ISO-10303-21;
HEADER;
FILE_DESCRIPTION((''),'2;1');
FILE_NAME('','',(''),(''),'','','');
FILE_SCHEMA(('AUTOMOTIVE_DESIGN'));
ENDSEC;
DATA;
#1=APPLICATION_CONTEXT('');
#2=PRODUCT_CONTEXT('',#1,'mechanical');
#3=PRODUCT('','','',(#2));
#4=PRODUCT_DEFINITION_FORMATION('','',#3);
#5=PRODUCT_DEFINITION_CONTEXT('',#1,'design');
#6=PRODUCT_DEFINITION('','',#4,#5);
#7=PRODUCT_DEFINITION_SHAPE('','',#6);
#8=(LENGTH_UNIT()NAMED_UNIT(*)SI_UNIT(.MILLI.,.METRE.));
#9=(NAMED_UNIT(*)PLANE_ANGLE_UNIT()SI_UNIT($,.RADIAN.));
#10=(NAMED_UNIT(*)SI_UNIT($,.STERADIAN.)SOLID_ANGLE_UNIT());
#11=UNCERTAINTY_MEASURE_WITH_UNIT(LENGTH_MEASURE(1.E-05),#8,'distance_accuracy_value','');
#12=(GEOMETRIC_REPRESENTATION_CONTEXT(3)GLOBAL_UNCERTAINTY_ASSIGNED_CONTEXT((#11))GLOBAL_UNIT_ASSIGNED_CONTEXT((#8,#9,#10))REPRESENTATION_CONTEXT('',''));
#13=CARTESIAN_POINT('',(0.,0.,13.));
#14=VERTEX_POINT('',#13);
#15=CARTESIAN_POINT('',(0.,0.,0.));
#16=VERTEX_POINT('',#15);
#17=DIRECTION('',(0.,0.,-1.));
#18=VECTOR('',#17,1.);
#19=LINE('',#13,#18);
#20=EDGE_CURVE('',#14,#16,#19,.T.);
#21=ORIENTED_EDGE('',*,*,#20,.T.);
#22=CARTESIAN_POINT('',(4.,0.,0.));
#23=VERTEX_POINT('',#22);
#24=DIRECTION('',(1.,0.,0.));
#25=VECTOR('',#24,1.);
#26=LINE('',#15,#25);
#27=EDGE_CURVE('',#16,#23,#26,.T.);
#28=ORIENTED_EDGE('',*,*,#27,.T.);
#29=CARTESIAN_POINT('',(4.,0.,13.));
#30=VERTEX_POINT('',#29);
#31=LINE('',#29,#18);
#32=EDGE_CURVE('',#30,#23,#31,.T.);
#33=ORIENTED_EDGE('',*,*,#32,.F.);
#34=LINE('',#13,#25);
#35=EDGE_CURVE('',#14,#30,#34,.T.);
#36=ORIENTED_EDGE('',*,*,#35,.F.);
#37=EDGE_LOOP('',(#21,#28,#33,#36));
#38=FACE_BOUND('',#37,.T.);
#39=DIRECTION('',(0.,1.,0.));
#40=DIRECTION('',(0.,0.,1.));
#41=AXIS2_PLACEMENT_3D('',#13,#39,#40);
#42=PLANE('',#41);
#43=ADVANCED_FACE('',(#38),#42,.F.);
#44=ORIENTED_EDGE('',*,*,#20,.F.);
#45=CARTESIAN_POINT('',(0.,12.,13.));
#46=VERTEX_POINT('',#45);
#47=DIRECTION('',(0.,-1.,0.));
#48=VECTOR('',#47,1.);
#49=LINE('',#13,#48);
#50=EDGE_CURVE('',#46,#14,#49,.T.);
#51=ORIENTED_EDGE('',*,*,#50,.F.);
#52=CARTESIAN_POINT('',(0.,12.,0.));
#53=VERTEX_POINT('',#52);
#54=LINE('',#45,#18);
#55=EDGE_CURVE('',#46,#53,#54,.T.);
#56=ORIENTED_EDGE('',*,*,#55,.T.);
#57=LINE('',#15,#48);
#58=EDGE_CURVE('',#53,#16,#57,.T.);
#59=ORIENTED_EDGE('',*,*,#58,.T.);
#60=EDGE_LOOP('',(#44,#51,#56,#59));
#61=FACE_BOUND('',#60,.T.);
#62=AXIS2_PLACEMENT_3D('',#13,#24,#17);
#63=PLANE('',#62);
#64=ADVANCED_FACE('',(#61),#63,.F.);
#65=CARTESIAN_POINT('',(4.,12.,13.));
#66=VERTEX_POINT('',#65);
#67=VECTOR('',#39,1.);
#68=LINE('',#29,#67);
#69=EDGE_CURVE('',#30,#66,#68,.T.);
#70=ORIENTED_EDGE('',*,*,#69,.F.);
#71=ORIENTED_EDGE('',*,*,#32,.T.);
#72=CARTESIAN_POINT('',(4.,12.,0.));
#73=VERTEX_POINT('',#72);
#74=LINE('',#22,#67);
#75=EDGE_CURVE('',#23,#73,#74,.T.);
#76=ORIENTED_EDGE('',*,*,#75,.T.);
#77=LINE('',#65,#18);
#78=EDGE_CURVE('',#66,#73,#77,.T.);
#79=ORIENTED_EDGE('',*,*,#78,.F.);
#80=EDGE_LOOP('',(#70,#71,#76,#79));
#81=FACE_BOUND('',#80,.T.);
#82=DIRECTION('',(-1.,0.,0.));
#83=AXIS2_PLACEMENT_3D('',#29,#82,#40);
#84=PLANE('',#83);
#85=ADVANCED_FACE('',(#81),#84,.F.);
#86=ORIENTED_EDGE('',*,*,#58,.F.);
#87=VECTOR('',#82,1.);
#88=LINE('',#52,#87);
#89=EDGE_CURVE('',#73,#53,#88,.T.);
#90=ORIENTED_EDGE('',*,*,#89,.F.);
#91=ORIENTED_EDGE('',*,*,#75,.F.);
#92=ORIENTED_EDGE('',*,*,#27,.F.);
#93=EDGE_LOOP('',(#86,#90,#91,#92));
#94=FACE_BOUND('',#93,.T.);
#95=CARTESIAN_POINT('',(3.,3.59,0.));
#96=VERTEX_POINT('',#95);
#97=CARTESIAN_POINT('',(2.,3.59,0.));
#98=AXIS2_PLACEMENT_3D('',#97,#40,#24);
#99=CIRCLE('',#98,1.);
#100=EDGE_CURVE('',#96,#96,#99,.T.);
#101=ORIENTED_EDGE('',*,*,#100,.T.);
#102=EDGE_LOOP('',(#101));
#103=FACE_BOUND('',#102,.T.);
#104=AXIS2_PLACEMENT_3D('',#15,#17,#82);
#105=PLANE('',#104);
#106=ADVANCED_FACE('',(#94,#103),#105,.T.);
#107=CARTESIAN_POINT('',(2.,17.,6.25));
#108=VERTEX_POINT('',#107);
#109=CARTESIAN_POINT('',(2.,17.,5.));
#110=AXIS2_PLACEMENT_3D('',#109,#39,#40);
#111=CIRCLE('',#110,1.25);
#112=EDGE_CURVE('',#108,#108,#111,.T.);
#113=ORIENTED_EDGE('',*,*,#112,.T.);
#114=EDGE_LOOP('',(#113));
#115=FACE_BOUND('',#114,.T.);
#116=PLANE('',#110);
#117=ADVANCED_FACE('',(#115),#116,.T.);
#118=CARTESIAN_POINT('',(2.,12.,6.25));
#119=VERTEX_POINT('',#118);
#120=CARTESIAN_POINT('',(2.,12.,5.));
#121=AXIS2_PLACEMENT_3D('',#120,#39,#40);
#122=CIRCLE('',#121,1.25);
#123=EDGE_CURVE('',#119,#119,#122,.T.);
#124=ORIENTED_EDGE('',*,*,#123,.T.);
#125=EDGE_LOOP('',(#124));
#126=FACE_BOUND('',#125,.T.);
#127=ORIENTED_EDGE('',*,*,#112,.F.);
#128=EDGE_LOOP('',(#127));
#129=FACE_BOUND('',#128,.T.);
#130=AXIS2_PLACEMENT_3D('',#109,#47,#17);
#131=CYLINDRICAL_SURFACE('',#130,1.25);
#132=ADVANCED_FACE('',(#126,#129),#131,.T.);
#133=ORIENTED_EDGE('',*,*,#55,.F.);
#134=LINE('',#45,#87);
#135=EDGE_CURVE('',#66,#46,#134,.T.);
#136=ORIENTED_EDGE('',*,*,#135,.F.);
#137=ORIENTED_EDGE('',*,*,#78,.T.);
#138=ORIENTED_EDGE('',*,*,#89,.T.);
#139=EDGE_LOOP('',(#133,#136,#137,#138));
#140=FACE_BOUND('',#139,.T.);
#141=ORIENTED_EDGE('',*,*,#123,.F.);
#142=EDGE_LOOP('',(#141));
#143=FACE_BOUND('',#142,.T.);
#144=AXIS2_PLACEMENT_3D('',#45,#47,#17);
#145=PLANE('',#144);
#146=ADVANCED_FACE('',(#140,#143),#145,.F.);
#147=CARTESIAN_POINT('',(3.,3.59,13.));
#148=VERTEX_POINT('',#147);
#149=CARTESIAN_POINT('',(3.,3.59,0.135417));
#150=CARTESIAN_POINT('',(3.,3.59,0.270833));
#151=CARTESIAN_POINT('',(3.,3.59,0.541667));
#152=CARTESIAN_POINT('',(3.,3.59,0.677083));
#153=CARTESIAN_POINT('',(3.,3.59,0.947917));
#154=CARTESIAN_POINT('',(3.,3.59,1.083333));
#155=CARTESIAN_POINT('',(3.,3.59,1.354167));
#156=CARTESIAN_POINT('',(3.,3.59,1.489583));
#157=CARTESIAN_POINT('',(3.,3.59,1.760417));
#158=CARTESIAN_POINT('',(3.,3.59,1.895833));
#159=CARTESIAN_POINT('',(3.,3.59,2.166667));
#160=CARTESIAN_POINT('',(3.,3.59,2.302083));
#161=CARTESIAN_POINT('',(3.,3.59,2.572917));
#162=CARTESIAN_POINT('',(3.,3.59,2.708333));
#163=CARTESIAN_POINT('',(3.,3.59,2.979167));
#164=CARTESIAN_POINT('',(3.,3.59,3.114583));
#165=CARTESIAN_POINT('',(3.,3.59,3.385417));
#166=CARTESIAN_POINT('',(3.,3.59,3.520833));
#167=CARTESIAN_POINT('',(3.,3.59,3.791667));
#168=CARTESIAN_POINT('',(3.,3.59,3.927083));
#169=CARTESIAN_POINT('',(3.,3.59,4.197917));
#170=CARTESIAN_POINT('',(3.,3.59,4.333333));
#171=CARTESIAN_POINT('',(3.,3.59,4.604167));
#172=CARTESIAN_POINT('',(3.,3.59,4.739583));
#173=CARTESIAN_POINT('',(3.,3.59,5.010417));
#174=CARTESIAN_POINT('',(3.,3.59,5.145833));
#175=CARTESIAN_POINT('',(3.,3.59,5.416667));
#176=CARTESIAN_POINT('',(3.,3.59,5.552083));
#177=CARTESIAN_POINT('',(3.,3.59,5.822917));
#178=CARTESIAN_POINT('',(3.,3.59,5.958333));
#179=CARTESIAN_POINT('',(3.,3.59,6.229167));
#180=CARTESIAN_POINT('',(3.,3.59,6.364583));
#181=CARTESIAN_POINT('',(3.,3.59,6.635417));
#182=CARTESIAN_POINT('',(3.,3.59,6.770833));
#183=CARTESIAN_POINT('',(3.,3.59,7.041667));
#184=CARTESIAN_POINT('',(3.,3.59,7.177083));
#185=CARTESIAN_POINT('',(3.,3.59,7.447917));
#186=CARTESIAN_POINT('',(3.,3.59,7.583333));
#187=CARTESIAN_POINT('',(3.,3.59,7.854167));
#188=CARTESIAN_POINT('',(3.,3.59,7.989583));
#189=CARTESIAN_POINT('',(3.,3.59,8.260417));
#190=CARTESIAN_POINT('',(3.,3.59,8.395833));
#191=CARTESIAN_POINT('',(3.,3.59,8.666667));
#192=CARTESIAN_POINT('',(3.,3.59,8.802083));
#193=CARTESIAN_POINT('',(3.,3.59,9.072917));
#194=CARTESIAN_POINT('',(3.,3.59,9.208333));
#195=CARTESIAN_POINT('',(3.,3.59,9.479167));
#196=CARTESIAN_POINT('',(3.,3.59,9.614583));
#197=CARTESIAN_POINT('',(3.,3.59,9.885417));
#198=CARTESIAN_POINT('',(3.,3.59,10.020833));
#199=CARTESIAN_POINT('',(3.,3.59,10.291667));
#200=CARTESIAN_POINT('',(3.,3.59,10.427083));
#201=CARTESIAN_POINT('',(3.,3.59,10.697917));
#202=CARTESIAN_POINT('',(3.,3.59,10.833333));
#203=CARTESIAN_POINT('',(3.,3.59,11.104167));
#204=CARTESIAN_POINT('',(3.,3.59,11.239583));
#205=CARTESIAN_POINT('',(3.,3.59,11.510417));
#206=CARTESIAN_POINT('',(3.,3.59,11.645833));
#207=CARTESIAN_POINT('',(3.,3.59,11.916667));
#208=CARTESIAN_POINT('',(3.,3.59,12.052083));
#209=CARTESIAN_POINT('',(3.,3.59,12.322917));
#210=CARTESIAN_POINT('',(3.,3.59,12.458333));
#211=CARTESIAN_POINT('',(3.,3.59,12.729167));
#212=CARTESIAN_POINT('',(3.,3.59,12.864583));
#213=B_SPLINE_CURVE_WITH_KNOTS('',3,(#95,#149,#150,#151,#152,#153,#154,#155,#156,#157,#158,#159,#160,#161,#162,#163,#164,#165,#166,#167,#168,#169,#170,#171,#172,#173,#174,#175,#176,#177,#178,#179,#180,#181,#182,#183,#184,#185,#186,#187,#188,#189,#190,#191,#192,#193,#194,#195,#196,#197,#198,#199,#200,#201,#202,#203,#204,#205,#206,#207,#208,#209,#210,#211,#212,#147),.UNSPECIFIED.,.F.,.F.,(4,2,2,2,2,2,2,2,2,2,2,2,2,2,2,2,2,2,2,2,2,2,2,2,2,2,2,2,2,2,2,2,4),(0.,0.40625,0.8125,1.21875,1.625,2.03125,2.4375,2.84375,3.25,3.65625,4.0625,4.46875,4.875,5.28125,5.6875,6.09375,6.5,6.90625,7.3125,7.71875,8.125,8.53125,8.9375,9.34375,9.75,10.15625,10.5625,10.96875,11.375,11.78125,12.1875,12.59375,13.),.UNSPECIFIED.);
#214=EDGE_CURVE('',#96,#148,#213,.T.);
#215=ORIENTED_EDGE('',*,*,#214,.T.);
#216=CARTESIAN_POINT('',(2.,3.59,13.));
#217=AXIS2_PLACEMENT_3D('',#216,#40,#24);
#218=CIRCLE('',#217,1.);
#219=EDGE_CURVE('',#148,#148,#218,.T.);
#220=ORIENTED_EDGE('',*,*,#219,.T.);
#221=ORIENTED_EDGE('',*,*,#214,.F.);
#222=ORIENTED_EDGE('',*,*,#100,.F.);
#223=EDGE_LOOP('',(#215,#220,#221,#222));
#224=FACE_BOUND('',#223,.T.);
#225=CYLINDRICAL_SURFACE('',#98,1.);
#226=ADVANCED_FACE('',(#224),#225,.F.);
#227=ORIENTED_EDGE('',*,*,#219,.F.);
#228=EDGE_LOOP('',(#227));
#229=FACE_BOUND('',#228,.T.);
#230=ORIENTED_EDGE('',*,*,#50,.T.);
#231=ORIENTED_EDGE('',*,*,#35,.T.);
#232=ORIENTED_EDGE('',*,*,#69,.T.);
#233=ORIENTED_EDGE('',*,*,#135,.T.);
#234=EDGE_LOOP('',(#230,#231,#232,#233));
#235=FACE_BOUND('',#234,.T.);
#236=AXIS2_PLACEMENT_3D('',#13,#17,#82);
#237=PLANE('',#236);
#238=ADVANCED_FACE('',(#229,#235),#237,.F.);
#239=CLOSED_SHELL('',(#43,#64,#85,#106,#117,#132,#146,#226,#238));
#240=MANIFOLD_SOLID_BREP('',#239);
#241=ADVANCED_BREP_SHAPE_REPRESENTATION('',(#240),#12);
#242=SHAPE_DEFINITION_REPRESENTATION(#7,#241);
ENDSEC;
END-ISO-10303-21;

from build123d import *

# Parameters (mm, degrees)
SKETCH_1_W          = 4
SKETCH_1_H          = 12
EXTRUDE_1_DEPTH     = 13
SKETCH_2_R          = 1.25
EXTRUDE_2_DEPTH     = 5
SKETCH_3_R          = 1
CUT_EXTRUDE_1_DEPTH = 22.771541057


with BuildPart() as part:
    # 草图1 → 凸台-拉伸1 (new body)
    with BuildSketch(Plane.XY):
        with Locations((2, 6)):
            Rectangle(SKETCH_1_W, SKETCH_1_H)
    extrude(amount=EXTRUDE_1_DEPTH)

    # 草图2 → 凸台-拉伸2 (add)
    with BuildSketch(Plane(origin=(0, 12, 0), x_dir=(1, 0, 0), z_dir=(0, 1, 0))):
        with Locations(Location((2, -5, 0), (0, 0, 270))):
            Circle(SKETCH_2_R)
    extrude(amount=EXTRUDE_2_DEPTH)

    # 草图3 → 切除-拉伸1 (cut, through all)
    with BuildSketch(Plane.XY.offset(13)):
        with Locations((2, 3.59)):
            Circle(SKETCH_3_R)
    extrude(amount=-CUT_EXTRUDE_1_DEPTH, mode=Mode.SUBTRACT)


solid = part.part
